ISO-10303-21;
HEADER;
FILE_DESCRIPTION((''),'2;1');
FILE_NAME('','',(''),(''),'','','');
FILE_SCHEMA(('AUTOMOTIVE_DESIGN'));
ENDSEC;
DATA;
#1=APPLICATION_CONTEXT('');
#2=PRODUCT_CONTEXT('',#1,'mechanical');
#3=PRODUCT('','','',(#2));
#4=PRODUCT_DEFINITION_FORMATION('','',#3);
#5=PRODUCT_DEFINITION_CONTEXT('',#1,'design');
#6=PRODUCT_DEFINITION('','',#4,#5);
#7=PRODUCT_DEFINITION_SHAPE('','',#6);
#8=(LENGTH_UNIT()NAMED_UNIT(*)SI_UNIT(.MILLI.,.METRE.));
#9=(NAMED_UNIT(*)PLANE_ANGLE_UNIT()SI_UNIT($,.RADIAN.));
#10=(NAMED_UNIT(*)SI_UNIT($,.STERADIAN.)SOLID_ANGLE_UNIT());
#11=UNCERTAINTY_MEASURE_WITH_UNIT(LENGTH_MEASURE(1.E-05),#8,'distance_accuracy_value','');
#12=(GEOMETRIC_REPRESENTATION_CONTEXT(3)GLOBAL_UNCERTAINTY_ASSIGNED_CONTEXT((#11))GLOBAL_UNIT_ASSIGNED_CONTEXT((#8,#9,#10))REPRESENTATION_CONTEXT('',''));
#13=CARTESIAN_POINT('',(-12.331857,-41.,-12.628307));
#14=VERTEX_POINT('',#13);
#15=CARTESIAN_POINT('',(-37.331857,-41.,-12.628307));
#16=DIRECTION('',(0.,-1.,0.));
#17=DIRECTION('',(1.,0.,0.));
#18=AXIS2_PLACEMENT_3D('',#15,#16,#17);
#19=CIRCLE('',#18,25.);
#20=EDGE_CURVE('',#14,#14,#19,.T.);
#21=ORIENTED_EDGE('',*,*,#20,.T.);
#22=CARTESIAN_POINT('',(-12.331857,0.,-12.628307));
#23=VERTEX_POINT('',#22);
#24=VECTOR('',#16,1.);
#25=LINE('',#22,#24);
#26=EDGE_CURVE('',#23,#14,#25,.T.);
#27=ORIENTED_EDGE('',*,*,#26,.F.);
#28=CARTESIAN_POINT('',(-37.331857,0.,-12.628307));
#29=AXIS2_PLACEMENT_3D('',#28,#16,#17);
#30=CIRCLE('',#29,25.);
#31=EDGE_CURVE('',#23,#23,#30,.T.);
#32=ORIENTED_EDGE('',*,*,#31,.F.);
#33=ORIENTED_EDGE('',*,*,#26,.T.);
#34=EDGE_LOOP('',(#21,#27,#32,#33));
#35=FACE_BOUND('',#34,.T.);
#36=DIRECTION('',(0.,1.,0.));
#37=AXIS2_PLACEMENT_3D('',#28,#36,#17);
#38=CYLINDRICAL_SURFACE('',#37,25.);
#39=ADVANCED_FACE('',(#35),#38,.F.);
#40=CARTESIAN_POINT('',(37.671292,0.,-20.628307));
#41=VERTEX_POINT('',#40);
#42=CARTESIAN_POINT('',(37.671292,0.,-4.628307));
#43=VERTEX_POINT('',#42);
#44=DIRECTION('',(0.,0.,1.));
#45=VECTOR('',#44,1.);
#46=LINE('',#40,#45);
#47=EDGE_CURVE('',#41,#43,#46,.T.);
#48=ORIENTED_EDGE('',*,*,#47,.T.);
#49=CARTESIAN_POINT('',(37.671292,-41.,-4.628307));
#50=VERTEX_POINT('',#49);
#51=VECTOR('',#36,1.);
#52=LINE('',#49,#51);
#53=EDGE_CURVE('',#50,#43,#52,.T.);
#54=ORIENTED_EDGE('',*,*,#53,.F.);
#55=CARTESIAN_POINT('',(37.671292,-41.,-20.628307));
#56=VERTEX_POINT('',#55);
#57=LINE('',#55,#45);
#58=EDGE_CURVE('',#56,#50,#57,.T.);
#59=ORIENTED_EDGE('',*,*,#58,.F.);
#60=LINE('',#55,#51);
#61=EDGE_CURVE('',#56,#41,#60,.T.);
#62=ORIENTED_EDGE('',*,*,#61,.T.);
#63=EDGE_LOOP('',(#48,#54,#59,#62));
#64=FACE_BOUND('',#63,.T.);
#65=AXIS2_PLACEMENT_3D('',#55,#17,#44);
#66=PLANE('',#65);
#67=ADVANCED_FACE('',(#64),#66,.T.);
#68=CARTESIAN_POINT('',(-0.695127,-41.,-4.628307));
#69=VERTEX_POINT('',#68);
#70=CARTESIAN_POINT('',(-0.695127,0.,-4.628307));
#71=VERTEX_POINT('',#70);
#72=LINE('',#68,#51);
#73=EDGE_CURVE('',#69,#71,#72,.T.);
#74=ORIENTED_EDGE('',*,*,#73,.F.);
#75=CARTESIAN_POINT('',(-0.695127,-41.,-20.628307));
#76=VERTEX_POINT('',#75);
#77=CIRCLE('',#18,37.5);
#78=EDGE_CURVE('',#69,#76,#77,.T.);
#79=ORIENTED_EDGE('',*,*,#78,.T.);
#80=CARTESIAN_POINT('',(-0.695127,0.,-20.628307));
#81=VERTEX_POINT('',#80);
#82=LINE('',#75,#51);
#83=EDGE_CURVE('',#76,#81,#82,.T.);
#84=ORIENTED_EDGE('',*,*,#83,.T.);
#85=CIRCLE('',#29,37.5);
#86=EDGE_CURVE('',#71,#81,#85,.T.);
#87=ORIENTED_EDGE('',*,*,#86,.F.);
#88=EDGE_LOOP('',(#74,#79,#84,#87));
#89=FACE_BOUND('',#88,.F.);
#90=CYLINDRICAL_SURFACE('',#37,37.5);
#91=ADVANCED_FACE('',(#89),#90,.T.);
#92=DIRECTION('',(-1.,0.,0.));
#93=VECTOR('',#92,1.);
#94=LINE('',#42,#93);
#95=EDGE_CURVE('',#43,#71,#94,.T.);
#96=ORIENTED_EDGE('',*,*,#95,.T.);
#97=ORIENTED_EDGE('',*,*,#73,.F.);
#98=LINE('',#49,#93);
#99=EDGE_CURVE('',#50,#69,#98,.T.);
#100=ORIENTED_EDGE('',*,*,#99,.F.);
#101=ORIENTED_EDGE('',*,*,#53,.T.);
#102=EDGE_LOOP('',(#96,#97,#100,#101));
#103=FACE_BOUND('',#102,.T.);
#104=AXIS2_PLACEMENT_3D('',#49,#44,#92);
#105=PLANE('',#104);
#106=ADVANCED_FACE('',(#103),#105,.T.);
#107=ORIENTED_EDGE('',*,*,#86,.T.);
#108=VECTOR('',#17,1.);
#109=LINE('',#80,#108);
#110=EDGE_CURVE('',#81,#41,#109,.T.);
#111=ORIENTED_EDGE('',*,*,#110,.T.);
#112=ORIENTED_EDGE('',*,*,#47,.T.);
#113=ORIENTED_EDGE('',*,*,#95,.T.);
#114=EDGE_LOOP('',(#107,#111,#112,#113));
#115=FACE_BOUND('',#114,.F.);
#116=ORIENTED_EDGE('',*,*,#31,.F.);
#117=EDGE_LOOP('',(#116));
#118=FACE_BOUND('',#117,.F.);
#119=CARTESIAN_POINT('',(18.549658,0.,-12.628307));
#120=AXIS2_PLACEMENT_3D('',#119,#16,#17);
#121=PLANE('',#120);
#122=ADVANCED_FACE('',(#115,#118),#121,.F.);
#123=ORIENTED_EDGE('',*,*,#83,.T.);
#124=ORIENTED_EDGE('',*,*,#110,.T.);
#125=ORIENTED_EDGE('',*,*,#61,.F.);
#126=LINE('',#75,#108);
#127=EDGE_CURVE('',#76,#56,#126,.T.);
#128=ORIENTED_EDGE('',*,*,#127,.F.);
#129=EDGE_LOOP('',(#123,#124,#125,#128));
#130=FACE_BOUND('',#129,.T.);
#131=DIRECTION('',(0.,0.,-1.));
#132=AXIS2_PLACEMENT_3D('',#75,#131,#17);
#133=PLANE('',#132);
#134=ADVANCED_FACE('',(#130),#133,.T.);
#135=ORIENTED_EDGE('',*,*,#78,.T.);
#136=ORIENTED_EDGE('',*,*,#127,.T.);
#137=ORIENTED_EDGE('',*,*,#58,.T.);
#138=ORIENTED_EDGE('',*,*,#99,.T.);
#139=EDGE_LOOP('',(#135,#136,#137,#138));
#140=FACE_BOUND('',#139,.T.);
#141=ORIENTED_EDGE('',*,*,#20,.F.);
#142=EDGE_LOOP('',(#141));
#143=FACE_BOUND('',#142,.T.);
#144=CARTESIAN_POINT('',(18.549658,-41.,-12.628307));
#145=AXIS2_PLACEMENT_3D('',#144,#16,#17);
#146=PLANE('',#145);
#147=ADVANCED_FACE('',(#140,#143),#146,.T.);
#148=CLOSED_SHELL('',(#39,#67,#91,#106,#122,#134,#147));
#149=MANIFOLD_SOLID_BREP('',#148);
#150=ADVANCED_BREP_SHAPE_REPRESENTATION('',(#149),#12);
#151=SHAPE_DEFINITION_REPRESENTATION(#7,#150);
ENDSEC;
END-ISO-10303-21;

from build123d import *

# Parameters (mm, degrees)
F0_R     = 37.5
F0_R_2   = 25
F1_DEPTH = 41
F3_DEPTH = 41


with BuildPart() as f1:
    # F0 (on Front) → F1 (new body)
    with BuildSketch(Plane.XZ):
        with Locations((-37.331857, -12.628307)):
            Circle(F0_R)
        with Locations((-37.331857, -12.628307)):
            Circle(F0_R_2, mode=Mode.SUBTRACT)
    extrude(amount=F1_DEPTH)

    # F2 (on face) → F3 (join)
    with BuildSketch(Plane.XZ.offset(41)):
        with BuildLine():
            Line((37.671292, -20.628307), (37.671292, -12.628307))
            Line((37.671292, -12.628307), (37.671292, -4.628307))
            Line((37.671292, -4.628307), (-0.695127, -4.628307))
            ThreePointArc((-0.695127, -4.628307), (-0.048299, -8.605085), (0.168143, -12.628307))
            ThreePointArc((0.168143, -12.628307), (-0.048299, -16.651528), (-0.695127, -20.628307))
            Line((-0.695127, -20.628307), (37.671292, -20.628307))
        make_face()
    extrude(amount=-F3_DEPTH)


solid = f1.part
